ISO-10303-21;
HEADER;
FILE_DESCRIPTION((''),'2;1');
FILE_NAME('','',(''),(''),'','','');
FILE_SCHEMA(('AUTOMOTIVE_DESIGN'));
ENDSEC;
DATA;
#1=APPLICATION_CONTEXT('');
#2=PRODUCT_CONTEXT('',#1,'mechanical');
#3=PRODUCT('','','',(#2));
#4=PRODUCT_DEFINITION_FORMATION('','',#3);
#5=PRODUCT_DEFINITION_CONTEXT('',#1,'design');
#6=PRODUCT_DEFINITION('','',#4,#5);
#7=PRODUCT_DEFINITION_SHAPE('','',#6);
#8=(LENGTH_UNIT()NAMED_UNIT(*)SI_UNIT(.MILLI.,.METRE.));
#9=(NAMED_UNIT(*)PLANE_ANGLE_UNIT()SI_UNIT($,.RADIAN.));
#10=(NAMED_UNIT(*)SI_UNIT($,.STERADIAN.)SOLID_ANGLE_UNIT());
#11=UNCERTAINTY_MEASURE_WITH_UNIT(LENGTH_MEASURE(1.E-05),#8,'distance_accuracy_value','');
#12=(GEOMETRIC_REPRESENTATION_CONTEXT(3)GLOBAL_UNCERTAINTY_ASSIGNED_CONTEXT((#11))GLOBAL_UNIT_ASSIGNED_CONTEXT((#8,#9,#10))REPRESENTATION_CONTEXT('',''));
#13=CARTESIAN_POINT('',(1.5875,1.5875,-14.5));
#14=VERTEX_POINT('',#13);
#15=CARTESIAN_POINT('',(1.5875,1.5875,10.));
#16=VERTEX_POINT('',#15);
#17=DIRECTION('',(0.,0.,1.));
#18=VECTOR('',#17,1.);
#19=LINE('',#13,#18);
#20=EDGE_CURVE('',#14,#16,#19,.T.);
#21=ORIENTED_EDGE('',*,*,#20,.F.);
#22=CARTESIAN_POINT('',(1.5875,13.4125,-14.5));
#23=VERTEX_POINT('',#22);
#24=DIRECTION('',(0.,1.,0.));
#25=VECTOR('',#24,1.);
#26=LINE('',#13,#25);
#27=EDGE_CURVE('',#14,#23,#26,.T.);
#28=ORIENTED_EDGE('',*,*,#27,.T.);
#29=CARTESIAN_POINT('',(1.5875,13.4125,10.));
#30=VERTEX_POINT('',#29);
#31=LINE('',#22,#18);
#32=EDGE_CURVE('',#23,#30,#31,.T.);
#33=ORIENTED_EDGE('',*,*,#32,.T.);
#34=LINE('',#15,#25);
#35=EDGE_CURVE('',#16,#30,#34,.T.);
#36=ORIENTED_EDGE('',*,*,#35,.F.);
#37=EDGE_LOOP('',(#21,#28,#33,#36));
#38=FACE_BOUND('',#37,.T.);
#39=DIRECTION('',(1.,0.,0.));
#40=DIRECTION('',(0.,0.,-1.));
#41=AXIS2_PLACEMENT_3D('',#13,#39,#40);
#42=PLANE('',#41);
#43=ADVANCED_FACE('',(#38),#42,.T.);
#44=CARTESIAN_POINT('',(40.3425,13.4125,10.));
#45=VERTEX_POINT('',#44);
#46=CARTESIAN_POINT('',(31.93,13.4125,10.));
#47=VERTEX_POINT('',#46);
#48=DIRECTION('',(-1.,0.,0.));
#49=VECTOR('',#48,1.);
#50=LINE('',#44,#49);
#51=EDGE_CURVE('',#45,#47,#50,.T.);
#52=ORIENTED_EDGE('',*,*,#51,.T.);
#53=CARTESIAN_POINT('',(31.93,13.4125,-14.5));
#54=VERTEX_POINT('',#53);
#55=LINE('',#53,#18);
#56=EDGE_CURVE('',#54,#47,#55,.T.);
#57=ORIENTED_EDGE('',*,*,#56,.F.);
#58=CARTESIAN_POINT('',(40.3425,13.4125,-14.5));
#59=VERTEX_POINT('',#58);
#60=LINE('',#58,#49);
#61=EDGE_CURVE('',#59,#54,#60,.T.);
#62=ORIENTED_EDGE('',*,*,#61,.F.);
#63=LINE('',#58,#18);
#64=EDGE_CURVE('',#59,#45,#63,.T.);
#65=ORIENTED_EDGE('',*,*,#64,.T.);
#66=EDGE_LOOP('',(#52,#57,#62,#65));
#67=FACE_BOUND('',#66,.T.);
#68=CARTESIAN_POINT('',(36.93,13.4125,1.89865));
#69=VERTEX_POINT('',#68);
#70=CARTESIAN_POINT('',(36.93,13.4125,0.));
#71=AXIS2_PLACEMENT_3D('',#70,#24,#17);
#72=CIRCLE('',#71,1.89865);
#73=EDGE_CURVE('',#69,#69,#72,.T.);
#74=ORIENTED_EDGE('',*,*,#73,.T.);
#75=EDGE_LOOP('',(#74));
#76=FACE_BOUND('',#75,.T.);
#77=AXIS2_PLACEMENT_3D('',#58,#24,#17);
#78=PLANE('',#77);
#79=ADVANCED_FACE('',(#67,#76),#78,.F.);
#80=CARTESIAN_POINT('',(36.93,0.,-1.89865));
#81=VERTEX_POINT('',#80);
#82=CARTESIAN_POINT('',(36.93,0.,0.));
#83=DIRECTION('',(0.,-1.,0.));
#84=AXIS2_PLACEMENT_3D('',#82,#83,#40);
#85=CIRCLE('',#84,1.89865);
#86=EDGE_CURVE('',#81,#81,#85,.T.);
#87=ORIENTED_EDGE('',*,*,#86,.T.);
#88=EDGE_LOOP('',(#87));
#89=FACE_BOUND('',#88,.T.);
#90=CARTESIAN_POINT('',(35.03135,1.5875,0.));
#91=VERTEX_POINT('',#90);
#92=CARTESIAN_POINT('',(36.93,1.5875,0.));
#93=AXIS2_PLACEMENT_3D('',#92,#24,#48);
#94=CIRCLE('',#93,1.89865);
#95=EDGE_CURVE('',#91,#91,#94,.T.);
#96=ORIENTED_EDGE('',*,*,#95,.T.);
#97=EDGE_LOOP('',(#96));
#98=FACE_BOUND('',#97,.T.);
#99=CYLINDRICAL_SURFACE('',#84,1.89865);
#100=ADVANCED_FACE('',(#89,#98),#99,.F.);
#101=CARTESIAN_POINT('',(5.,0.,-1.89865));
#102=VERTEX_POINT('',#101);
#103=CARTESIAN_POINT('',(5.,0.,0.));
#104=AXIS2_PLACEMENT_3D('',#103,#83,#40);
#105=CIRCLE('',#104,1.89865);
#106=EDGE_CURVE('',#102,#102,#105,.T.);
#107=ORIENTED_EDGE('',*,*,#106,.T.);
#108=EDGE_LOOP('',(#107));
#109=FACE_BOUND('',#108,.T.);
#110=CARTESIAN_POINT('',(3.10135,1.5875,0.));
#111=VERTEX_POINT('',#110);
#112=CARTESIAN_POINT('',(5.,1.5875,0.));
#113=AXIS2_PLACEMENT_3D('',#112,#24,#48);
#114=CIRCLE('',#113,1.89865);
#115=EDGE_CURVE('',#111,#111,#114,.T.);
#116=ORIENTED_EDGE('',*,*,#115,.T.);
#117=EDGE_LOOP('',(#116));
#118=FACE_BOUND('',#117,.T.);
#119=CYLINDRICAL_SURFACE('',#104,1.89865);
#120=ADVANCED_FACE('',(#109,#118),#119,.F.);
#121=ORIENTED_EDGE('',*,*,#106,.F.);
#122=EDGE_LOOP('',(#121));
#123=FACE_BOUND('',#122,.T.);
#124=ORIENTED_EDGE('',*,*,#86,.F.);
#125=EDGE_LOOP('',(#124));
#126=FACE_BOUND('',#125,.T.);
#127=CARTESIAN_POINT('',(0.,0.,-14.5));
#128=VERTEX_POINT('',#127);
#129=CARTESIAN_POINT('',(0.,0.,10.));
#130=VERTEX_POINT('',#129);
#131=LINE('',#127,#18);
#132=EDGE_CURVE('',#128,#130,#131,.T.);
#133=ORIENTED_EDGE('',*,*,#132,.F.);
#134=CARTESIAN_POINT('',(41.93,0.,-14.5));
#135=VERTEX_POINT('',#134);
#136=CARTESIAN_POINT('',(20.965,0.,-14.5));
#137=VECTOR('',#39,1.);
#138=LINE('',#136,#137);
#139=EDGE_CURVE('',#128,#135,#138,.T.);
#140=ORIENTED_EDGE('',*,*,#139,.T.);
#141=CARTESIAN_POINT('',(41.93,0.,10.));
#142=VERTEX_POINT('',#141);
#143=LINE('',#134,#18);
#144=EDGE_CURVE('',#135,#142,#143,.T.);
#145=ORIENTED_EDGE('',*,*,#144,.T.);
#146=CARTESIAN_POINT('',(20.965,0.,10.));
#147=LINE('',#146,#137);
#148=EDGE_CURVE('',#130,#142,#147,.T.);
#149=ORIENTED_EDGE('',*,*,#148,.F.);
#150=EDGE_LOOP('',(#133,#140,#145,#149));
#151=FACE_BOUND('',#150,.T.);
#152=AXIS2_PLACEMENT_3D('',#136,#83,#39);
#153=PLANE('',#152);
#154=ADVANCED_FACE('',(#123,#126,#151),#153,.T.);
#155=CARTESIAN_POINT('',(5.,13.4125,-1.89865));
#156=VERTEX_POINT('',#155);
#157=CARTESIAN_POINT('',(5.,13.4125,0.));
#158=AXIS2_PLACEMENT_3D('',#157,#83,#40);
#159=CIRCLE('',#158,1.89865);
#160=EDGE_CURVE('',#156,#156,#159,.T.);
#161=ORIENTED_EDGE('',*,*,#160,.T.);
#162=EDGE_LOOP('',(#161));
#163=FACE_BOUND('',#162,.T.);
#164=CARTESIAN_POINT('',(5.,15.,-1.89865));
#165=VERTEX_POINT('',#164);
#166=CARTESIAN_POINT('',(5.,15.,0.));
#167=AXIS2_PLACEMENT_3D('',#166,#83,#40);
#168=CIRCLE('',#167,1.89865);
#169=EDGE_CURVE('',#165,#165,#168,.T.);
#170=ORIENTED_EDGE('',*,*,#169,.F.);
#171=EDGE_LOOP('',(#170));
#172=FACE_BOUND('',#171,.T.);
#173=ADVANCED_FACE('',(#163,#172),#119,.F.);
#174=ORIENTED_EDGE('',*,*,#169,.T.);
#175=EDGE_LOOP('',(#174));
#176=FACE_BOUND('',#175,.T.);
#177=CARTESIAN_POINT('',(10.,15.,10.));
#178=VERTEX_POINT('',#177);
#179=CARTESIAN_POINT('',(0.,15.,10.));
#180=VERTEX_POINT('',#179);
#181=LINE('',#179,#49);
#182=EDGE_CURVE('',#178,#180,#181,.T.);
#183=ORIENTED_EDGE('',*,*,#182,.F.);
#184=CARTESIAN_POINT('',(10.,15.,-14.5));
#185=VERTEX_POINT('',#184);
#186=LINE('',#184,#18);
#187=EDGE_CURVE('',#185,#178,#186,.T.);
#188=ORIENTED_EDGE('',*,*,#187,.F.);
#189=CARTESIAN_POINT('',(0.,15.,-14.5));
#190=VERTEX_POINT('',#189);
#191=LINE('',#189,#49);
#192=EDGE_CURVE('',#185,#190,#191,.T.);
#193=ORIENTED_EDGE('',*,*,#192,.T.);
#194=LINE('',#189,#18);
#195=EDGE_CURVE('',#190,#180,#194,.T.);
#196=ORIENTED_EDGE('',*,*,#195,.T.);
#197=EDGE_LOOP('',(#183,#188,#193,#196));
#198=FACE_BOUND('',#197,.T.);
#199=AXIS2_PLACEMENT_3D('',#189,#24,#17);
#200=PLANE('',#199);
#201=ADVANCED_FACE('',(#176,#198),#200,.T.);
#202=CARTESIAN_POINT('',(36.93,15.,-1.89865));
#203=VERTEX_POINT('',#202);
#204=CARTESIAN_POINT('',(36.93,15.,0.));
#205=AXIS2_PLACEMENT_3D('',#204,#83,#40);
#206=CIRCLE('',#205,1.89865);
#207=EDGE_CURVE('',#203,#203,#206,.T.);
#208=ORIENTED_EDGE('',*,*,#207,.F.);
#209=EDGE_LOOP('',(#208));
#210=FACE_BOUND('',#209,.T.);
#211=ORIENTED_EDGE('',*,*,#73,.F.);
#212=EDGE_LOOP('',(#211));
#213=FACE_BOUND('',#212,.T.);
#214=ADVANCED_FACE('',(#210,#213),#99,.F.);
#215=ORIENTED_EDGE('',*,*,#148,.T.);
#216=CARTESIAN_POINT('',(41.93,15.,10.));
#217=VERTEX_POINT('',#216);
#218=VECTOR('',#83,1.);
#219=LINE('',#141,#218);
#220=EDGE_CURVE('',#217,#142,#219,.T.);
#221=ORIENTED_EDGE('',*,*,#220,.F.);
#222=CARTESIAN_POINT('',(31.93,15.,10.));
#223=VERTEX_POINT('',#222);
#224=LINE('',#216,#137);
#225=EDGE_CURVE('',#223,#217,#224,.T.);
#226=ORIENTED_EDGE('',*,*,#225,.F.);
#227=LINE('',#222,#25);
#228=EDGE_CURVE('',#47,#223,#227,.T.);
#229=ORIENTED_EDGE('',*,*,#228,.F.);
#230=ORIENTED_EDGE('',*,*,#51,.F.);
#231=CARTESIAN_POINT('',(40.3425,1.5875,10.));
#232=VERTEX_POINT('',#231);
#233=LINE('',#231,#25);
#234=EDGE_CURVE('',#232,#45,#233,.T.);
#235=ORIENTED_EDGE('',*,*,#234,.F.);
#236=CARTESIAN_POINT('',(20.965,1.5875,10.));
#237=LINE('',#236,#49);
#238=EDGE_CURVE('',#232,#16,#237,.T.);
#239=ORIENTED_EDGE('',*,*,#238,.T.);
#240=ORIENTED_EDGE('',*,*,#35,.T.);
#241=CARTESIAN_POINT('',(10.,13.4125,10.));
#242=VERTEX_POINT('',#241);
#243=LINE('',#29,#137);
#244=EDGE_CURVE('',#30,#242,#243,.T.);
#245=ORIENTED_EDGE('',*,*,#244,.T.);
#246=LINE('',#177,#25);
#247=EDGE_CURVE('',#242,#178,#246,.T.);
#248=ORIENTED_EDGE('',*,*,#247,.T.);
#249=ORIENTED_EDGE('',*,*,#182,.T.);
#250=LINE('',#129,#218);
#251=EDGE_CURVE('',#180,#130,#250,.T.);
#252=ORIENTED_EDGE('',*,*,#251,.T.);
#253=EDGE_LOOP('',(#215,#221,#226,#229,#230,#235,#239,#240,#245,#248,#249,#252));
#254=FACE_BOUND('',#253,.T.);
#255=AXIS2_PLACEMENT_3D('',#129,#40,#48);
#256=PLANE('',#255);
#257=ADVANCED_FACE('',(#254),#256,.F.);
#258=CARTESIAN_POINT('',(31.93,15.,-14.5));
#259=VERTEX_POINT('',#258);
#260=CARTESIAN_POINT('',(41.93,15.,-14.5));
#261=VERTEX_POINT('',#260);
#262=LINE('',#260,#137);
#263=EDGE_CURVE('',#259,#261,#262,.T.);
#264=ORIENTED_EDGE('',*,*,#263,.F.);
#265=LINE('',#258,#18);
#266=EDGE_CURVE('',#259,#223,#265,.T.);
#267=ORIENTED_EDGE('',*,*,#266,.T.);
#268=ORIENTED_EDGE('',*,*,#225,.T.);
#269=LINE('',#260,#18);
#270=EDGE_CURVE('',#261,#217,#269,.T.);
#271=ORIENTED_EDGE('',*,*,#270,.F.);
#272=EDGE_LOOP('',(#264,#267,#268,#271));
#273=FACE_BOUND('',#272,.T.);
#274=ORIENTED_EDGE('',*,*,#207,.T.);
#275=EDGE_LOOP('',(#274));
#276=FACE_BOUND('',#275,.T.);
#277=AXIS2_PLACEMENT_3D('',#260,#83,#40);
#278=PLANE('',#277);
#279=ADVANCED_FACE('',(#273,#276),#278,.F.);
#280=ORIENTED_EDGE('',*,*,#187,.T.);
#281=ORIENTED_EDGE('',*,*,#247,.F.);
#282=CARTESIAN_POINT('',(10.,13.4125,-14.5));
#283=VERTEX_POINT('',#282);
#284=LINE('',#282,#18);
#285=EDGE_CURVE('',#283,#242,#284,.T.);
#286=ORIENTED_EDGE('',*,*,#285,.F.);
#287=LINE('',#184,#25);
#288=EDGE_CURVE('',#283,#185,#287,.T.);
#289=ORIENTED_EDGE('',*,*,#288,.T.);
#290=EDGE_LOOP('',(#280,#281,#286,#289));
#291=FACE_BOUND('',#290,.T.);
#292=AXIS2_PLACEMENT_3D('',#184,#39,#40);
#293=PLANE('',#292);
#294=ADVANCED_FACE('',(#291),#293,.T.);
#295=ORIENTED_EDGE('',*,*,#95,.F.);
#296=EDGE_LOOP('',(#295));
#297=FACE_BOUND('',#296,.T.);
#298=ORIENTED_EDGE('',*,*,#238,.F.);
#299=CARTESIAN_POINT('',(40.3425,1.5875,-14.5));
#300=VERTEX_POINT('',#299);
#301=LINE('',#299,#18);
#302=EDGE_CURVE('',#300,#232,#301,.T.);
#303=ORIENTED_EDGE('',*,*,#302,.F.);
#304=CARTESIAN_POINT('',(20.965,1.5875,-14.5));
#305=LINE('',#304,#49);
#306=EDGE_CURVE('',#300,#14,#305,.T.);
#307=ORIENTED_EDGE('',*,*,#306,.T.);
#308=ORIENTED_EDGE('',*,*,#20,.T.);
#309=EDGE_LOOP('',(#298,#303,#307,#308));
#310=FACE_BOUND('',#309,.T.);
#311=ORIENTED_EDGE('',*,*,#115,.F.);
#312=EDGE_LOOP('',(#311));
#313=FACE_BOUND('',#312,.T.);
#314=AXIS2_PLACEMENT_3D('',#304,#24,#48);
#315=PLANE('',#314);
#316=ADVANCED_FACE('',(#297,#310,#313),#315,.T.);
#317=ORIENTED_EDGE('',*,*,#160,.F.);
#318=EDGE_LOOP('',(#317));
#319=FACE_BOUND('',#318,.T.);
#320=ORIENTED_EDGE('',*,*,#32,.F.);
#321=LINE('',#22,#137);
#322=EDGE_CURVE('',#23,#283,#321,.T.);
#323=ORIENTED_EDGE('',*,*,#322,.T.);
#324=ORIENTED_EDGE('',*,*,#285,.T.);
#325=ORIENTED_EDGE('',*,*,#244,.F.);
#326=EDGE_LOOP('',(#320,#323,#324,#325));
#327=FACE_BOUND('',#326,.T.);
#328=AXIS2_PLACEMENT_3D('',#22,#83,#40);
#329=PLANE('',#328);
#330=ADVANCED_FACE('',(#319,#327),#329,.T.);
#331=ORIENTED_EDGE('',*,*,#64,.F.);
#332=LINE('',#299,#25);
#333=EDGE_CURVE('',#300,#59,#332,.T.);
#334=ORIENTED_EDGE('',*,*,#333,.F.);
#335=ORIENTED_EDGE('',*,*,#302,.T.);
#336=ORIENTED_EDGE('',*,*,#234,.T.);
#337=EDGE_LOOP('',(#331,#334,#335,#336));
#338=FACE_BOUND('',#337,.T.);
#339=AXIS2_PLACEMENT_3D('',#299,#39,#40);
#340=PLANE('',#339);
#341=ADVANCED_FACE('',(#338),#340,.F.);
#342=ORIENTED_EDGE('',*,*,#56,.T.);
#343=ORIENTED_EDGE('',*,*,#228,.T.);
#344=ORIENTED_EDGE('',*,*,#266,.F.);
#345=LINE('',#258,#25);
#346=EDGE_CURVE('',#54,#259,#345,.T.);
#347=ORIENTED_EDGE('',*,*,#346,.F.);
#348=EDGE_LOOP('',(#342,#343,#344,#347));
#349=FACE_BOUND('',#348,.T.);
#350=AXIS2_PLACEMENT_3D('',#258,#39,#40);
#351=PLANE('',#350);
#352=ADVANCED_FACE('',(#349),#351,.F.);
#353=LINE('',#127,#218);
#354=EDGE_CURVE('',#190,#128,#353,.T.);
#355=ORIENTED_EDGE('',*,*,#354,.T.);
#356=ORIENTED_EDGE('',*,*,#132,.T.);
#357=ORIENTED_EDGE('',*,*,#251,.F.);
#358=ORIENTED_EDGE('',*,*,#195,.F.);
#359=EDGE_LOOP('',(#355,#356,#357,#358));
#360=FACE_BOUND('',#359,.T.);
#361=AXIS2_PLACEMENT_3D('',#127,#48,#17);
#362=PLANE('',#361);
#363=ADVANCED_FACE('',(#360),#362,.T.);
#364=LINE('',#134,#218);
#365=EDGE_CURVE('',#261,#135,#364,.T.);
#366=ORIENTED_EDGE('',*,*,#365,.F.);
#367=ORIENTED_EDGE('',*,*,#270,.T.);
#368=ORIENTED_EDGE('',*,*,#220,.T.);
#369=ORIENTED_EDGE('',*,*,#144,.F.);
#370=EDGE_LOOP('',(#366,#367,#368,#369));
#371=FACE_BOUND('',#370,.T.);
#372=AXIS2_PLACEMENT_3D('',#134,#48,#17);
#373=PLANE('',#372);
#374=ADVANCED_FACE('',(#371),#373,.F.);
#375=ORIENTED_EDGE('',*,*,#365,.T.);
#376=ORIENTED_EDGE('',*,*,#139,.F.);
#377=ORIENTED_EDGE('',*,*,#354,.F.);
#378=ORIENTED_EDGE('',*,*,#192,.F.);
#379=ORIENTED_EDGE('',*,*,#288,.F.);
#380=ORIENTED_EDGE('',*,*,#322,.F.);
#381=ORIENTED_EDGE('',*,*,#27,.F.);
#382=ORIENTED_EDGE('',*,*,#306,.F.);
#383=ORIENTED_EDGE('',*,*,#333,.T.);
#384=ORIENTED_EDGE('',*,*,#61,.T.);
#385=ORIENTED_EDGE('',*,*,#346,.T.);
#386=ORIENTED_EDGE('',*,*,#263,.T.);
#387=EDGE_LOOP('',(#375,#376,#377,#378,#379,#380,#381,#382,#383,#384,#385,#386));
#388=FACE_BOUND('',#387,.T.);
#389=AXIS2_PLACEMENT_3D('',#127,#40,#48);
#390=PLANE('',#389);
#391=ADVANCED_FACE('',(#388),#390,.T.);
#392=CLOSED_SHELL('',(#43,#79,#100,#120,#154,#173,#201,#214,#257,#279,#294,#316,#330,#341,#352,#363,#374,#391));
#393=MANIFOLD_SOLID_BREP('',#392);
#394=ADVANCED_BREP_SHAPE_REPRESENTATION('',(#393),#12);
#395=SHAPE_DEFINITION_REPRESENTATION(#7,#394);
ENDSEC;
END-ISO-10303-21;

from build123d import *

# Parameters (mm, degrees)
BOSS_EXTRUDE1_START   = -14.5
BOSS_EXTRUDE1_DEPTH   = 24.5
F_6_CLEARANCE_HOLE1_D = 3.7973


with BuildPart() as part:
    # Sketch1 → Boss-Extrude1 (new body)
    with BuildSketch(Plane.XY.offset(BOSS_EXTRUDE1_START)):
        Polygon((20.965, 0), (0, 0), (0, 15), (10, 15), (10, 13.4125), (1.5875, 13.4125), (1.5875, 1.5875), (20.965, 1.5875), align=None)
    boss_extrude1 = extrude(amount=BOSS_EXTRUDE1_DEPTH)

    # #6 Clearance Hole1 (through all)
    with Locations(Plane(origin=(0, 0, 0), x_dir=(-1, 0, 0), z_dir=(0, -1, 0))):
        with Locations((-5, 0)):
            f_6_clearance_hole1 = Hole(F_6_CLEARANCE_HOLE1_D / 2)

    # Mirror1: Boss-Extrude1, #6 Clearance Hole1 across plane
    add(boss_extrude1.mirror(Plane(origin=(20.965, 1.5875, -14.5), x_dir=(0, 0, 1), z_dir=(1, 0, 0))))
    add(f_6_clearance_hole1.mirror(Plane(origin=(20.965, 1.5875, -14.5), x_dir=(0, 0, 1), z_dir=(1, 0, 0))), mode=Mode.SUBTRACT)


solid = part.part
